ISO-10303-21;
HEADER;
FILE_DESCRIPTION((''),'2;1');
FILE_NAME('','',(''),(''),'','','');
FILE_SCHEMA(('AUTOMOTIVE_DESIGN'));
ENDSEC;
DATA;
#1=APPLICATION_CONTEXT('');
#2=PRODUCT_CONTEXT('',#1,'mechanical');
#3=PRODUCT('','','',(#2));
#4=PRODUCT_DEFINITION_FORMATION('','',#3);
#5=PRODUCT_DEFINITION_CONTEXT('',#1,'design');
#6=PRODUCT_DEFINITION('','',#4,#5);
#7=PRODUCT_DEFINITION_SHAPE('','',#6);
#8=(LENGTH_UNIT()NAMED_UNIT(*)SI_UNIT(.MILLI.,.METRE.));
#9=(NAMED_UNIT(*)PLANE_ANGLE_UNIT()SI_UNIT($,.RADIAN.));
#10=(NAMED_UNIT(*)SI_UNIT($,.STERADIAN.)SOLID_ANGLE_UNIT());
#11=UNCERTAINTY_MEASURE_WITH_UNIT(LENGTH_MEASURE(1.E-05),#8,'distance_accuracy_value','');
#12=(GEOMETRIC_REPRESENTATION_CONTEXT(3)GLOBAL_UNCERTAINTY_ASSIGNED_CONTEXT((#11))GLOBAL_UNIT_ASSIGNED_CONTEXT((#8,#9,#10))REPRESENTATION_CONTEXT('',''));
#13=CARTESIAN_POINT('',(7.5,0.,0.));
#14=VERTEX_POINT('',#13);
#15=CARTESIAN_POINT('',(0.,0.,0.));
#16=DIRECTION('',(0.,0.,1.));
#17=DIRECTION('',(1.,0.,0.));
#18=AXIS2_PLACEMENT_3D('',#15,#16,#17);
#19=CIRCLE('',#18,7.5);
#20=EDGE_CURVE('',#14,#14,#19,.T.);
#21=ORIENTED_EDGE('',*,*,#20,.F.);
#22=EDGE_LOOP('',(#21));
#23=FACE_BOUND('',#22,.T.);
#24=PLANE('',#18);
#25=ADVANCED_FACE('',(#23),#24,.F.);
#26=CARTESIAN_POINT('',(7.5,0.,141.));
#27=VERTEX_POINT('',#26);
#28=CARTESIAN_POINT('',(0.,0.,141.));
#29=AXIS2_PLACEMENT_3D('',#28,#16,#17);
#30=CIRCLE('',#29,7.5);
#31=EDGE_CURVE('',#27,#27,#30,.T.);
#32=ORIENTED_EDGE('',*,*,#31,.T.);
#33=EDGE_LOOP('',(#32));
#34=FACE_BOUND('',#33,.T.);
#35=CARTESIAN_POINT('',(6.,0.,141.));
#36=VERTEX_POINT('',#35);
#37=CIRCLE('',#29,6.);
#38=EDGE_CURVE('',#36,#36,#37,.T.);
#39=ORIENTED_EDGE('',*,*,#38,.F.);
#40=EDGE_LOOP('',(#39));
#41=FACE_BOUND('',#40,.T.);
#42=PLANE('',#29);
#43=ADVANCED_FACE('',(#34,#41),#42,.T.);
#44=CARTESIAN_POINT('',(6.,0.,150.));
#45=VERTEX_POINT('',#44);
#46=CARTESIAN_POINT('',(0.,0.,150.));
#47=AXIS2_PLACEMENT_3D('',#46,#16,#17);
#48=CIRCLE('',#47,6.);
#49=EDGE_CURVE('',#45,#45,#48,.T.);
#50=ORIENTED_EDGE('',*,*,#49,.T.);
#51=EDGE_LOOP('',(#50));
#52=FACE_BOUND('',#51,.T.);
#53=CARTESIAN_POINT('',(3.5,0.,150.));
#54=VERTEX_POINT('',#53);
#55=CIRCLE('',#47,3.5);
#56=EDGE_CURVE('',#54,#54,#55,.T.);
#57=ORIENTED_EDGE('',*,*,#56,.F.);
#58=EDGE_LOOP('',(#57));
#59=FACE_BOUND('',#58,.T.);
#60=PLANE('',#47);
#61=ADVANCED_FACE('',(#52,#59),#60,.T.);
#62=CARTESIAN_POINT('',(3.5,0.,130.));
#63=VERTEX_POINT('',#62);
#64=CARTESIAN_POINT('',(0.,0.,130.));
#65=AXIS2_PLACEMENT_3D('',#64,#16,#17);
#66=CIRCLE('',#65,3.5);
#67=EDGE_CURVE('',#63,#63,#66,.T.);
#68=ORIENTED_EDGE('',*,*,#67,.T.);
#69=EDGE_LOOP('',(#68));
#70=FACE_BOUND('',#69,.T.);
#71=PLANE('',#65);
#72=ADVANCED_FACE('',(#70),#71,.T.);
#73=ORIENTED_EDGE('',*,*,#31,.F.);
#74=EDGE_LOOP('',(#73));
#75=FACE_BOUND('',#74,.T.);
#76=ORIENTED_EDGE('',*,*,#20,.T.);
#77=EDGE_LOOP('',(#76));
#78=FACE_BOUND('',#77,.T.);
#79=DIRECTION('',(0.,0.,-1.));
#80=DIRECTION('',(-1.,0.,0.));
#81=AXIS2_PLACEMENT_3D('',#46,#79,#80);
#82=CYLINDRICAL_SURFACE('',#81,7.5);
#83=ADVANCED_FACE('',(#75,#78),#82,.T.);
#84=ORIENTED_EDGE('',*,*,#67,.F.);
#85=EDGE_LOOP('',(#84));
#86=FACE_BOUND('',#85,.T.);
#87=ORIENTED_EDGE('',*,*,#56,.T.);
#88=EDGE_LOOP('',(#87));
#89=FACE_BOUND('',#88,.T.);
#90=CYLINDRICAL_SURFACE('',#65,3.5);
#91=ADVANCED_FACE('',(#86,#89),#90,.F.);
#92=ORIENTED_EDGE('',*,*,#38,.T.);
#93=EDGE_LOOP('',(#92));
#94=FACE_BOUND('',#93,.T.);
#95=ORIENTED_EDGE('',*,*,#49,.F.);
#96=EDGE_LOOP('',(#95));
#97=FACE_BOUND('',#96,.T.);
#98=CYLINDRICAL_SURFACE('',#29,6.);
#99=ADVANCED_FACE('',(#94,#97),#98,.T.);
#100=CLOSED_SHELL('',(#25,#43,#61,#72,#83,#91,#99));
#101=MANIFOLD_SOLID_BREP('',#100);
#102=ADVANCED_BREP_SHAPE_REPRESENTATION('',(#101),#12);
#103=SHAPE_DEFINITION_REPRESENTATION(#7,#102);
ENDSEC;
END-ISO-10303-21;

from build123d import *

# Parameters (mm, degrees)
SKETCH1_R           = 7.5
BOSS_EXTRUDE1_DEPTH = 150
CUT_EXTRUDE1_START  = -9
SKETCH2_R           = 7.5
SKETCH2_R_2         = 6
CUT_EXTRUDE1_DEPTH  = 9
SKETCH3_R           = 3.5
CUT_EXTRUDE2_DEPTH  = 20


with BuildPart() as part:
    # Sketch1 → Boss-Extrude1 (new body)
    with BuildSketch(Plane.XY):
        Circle(SKETCH1_R)
    extrude(amount=BOSS_EXTRUDE1_DEPTH)

    # Sketch2 → Cut-Extrude1 (cut)
    with BuildSketch(Plane.XY.offset(150).offset(CUT_EXTRUDE1_START)):
        Circle(SKETCH2_R)
        Circle(SKETCH2_R_2, mode=Mode.SUBTRACT)
    extrude(amount=CUT_EXTRUDE1_DEPTH, mode=Mode.SUBTRACT)

    # Sketch3 → Cut-Extrude2 (cut)
    with BuildSketch(Plane.XY.offset(150)):
        Circle(SKETCH3_R)
    extrude(amount=-CUT_EXTRUDE2_DEPTH, mode=Mode.SUBTRACT)


solid = part.part
